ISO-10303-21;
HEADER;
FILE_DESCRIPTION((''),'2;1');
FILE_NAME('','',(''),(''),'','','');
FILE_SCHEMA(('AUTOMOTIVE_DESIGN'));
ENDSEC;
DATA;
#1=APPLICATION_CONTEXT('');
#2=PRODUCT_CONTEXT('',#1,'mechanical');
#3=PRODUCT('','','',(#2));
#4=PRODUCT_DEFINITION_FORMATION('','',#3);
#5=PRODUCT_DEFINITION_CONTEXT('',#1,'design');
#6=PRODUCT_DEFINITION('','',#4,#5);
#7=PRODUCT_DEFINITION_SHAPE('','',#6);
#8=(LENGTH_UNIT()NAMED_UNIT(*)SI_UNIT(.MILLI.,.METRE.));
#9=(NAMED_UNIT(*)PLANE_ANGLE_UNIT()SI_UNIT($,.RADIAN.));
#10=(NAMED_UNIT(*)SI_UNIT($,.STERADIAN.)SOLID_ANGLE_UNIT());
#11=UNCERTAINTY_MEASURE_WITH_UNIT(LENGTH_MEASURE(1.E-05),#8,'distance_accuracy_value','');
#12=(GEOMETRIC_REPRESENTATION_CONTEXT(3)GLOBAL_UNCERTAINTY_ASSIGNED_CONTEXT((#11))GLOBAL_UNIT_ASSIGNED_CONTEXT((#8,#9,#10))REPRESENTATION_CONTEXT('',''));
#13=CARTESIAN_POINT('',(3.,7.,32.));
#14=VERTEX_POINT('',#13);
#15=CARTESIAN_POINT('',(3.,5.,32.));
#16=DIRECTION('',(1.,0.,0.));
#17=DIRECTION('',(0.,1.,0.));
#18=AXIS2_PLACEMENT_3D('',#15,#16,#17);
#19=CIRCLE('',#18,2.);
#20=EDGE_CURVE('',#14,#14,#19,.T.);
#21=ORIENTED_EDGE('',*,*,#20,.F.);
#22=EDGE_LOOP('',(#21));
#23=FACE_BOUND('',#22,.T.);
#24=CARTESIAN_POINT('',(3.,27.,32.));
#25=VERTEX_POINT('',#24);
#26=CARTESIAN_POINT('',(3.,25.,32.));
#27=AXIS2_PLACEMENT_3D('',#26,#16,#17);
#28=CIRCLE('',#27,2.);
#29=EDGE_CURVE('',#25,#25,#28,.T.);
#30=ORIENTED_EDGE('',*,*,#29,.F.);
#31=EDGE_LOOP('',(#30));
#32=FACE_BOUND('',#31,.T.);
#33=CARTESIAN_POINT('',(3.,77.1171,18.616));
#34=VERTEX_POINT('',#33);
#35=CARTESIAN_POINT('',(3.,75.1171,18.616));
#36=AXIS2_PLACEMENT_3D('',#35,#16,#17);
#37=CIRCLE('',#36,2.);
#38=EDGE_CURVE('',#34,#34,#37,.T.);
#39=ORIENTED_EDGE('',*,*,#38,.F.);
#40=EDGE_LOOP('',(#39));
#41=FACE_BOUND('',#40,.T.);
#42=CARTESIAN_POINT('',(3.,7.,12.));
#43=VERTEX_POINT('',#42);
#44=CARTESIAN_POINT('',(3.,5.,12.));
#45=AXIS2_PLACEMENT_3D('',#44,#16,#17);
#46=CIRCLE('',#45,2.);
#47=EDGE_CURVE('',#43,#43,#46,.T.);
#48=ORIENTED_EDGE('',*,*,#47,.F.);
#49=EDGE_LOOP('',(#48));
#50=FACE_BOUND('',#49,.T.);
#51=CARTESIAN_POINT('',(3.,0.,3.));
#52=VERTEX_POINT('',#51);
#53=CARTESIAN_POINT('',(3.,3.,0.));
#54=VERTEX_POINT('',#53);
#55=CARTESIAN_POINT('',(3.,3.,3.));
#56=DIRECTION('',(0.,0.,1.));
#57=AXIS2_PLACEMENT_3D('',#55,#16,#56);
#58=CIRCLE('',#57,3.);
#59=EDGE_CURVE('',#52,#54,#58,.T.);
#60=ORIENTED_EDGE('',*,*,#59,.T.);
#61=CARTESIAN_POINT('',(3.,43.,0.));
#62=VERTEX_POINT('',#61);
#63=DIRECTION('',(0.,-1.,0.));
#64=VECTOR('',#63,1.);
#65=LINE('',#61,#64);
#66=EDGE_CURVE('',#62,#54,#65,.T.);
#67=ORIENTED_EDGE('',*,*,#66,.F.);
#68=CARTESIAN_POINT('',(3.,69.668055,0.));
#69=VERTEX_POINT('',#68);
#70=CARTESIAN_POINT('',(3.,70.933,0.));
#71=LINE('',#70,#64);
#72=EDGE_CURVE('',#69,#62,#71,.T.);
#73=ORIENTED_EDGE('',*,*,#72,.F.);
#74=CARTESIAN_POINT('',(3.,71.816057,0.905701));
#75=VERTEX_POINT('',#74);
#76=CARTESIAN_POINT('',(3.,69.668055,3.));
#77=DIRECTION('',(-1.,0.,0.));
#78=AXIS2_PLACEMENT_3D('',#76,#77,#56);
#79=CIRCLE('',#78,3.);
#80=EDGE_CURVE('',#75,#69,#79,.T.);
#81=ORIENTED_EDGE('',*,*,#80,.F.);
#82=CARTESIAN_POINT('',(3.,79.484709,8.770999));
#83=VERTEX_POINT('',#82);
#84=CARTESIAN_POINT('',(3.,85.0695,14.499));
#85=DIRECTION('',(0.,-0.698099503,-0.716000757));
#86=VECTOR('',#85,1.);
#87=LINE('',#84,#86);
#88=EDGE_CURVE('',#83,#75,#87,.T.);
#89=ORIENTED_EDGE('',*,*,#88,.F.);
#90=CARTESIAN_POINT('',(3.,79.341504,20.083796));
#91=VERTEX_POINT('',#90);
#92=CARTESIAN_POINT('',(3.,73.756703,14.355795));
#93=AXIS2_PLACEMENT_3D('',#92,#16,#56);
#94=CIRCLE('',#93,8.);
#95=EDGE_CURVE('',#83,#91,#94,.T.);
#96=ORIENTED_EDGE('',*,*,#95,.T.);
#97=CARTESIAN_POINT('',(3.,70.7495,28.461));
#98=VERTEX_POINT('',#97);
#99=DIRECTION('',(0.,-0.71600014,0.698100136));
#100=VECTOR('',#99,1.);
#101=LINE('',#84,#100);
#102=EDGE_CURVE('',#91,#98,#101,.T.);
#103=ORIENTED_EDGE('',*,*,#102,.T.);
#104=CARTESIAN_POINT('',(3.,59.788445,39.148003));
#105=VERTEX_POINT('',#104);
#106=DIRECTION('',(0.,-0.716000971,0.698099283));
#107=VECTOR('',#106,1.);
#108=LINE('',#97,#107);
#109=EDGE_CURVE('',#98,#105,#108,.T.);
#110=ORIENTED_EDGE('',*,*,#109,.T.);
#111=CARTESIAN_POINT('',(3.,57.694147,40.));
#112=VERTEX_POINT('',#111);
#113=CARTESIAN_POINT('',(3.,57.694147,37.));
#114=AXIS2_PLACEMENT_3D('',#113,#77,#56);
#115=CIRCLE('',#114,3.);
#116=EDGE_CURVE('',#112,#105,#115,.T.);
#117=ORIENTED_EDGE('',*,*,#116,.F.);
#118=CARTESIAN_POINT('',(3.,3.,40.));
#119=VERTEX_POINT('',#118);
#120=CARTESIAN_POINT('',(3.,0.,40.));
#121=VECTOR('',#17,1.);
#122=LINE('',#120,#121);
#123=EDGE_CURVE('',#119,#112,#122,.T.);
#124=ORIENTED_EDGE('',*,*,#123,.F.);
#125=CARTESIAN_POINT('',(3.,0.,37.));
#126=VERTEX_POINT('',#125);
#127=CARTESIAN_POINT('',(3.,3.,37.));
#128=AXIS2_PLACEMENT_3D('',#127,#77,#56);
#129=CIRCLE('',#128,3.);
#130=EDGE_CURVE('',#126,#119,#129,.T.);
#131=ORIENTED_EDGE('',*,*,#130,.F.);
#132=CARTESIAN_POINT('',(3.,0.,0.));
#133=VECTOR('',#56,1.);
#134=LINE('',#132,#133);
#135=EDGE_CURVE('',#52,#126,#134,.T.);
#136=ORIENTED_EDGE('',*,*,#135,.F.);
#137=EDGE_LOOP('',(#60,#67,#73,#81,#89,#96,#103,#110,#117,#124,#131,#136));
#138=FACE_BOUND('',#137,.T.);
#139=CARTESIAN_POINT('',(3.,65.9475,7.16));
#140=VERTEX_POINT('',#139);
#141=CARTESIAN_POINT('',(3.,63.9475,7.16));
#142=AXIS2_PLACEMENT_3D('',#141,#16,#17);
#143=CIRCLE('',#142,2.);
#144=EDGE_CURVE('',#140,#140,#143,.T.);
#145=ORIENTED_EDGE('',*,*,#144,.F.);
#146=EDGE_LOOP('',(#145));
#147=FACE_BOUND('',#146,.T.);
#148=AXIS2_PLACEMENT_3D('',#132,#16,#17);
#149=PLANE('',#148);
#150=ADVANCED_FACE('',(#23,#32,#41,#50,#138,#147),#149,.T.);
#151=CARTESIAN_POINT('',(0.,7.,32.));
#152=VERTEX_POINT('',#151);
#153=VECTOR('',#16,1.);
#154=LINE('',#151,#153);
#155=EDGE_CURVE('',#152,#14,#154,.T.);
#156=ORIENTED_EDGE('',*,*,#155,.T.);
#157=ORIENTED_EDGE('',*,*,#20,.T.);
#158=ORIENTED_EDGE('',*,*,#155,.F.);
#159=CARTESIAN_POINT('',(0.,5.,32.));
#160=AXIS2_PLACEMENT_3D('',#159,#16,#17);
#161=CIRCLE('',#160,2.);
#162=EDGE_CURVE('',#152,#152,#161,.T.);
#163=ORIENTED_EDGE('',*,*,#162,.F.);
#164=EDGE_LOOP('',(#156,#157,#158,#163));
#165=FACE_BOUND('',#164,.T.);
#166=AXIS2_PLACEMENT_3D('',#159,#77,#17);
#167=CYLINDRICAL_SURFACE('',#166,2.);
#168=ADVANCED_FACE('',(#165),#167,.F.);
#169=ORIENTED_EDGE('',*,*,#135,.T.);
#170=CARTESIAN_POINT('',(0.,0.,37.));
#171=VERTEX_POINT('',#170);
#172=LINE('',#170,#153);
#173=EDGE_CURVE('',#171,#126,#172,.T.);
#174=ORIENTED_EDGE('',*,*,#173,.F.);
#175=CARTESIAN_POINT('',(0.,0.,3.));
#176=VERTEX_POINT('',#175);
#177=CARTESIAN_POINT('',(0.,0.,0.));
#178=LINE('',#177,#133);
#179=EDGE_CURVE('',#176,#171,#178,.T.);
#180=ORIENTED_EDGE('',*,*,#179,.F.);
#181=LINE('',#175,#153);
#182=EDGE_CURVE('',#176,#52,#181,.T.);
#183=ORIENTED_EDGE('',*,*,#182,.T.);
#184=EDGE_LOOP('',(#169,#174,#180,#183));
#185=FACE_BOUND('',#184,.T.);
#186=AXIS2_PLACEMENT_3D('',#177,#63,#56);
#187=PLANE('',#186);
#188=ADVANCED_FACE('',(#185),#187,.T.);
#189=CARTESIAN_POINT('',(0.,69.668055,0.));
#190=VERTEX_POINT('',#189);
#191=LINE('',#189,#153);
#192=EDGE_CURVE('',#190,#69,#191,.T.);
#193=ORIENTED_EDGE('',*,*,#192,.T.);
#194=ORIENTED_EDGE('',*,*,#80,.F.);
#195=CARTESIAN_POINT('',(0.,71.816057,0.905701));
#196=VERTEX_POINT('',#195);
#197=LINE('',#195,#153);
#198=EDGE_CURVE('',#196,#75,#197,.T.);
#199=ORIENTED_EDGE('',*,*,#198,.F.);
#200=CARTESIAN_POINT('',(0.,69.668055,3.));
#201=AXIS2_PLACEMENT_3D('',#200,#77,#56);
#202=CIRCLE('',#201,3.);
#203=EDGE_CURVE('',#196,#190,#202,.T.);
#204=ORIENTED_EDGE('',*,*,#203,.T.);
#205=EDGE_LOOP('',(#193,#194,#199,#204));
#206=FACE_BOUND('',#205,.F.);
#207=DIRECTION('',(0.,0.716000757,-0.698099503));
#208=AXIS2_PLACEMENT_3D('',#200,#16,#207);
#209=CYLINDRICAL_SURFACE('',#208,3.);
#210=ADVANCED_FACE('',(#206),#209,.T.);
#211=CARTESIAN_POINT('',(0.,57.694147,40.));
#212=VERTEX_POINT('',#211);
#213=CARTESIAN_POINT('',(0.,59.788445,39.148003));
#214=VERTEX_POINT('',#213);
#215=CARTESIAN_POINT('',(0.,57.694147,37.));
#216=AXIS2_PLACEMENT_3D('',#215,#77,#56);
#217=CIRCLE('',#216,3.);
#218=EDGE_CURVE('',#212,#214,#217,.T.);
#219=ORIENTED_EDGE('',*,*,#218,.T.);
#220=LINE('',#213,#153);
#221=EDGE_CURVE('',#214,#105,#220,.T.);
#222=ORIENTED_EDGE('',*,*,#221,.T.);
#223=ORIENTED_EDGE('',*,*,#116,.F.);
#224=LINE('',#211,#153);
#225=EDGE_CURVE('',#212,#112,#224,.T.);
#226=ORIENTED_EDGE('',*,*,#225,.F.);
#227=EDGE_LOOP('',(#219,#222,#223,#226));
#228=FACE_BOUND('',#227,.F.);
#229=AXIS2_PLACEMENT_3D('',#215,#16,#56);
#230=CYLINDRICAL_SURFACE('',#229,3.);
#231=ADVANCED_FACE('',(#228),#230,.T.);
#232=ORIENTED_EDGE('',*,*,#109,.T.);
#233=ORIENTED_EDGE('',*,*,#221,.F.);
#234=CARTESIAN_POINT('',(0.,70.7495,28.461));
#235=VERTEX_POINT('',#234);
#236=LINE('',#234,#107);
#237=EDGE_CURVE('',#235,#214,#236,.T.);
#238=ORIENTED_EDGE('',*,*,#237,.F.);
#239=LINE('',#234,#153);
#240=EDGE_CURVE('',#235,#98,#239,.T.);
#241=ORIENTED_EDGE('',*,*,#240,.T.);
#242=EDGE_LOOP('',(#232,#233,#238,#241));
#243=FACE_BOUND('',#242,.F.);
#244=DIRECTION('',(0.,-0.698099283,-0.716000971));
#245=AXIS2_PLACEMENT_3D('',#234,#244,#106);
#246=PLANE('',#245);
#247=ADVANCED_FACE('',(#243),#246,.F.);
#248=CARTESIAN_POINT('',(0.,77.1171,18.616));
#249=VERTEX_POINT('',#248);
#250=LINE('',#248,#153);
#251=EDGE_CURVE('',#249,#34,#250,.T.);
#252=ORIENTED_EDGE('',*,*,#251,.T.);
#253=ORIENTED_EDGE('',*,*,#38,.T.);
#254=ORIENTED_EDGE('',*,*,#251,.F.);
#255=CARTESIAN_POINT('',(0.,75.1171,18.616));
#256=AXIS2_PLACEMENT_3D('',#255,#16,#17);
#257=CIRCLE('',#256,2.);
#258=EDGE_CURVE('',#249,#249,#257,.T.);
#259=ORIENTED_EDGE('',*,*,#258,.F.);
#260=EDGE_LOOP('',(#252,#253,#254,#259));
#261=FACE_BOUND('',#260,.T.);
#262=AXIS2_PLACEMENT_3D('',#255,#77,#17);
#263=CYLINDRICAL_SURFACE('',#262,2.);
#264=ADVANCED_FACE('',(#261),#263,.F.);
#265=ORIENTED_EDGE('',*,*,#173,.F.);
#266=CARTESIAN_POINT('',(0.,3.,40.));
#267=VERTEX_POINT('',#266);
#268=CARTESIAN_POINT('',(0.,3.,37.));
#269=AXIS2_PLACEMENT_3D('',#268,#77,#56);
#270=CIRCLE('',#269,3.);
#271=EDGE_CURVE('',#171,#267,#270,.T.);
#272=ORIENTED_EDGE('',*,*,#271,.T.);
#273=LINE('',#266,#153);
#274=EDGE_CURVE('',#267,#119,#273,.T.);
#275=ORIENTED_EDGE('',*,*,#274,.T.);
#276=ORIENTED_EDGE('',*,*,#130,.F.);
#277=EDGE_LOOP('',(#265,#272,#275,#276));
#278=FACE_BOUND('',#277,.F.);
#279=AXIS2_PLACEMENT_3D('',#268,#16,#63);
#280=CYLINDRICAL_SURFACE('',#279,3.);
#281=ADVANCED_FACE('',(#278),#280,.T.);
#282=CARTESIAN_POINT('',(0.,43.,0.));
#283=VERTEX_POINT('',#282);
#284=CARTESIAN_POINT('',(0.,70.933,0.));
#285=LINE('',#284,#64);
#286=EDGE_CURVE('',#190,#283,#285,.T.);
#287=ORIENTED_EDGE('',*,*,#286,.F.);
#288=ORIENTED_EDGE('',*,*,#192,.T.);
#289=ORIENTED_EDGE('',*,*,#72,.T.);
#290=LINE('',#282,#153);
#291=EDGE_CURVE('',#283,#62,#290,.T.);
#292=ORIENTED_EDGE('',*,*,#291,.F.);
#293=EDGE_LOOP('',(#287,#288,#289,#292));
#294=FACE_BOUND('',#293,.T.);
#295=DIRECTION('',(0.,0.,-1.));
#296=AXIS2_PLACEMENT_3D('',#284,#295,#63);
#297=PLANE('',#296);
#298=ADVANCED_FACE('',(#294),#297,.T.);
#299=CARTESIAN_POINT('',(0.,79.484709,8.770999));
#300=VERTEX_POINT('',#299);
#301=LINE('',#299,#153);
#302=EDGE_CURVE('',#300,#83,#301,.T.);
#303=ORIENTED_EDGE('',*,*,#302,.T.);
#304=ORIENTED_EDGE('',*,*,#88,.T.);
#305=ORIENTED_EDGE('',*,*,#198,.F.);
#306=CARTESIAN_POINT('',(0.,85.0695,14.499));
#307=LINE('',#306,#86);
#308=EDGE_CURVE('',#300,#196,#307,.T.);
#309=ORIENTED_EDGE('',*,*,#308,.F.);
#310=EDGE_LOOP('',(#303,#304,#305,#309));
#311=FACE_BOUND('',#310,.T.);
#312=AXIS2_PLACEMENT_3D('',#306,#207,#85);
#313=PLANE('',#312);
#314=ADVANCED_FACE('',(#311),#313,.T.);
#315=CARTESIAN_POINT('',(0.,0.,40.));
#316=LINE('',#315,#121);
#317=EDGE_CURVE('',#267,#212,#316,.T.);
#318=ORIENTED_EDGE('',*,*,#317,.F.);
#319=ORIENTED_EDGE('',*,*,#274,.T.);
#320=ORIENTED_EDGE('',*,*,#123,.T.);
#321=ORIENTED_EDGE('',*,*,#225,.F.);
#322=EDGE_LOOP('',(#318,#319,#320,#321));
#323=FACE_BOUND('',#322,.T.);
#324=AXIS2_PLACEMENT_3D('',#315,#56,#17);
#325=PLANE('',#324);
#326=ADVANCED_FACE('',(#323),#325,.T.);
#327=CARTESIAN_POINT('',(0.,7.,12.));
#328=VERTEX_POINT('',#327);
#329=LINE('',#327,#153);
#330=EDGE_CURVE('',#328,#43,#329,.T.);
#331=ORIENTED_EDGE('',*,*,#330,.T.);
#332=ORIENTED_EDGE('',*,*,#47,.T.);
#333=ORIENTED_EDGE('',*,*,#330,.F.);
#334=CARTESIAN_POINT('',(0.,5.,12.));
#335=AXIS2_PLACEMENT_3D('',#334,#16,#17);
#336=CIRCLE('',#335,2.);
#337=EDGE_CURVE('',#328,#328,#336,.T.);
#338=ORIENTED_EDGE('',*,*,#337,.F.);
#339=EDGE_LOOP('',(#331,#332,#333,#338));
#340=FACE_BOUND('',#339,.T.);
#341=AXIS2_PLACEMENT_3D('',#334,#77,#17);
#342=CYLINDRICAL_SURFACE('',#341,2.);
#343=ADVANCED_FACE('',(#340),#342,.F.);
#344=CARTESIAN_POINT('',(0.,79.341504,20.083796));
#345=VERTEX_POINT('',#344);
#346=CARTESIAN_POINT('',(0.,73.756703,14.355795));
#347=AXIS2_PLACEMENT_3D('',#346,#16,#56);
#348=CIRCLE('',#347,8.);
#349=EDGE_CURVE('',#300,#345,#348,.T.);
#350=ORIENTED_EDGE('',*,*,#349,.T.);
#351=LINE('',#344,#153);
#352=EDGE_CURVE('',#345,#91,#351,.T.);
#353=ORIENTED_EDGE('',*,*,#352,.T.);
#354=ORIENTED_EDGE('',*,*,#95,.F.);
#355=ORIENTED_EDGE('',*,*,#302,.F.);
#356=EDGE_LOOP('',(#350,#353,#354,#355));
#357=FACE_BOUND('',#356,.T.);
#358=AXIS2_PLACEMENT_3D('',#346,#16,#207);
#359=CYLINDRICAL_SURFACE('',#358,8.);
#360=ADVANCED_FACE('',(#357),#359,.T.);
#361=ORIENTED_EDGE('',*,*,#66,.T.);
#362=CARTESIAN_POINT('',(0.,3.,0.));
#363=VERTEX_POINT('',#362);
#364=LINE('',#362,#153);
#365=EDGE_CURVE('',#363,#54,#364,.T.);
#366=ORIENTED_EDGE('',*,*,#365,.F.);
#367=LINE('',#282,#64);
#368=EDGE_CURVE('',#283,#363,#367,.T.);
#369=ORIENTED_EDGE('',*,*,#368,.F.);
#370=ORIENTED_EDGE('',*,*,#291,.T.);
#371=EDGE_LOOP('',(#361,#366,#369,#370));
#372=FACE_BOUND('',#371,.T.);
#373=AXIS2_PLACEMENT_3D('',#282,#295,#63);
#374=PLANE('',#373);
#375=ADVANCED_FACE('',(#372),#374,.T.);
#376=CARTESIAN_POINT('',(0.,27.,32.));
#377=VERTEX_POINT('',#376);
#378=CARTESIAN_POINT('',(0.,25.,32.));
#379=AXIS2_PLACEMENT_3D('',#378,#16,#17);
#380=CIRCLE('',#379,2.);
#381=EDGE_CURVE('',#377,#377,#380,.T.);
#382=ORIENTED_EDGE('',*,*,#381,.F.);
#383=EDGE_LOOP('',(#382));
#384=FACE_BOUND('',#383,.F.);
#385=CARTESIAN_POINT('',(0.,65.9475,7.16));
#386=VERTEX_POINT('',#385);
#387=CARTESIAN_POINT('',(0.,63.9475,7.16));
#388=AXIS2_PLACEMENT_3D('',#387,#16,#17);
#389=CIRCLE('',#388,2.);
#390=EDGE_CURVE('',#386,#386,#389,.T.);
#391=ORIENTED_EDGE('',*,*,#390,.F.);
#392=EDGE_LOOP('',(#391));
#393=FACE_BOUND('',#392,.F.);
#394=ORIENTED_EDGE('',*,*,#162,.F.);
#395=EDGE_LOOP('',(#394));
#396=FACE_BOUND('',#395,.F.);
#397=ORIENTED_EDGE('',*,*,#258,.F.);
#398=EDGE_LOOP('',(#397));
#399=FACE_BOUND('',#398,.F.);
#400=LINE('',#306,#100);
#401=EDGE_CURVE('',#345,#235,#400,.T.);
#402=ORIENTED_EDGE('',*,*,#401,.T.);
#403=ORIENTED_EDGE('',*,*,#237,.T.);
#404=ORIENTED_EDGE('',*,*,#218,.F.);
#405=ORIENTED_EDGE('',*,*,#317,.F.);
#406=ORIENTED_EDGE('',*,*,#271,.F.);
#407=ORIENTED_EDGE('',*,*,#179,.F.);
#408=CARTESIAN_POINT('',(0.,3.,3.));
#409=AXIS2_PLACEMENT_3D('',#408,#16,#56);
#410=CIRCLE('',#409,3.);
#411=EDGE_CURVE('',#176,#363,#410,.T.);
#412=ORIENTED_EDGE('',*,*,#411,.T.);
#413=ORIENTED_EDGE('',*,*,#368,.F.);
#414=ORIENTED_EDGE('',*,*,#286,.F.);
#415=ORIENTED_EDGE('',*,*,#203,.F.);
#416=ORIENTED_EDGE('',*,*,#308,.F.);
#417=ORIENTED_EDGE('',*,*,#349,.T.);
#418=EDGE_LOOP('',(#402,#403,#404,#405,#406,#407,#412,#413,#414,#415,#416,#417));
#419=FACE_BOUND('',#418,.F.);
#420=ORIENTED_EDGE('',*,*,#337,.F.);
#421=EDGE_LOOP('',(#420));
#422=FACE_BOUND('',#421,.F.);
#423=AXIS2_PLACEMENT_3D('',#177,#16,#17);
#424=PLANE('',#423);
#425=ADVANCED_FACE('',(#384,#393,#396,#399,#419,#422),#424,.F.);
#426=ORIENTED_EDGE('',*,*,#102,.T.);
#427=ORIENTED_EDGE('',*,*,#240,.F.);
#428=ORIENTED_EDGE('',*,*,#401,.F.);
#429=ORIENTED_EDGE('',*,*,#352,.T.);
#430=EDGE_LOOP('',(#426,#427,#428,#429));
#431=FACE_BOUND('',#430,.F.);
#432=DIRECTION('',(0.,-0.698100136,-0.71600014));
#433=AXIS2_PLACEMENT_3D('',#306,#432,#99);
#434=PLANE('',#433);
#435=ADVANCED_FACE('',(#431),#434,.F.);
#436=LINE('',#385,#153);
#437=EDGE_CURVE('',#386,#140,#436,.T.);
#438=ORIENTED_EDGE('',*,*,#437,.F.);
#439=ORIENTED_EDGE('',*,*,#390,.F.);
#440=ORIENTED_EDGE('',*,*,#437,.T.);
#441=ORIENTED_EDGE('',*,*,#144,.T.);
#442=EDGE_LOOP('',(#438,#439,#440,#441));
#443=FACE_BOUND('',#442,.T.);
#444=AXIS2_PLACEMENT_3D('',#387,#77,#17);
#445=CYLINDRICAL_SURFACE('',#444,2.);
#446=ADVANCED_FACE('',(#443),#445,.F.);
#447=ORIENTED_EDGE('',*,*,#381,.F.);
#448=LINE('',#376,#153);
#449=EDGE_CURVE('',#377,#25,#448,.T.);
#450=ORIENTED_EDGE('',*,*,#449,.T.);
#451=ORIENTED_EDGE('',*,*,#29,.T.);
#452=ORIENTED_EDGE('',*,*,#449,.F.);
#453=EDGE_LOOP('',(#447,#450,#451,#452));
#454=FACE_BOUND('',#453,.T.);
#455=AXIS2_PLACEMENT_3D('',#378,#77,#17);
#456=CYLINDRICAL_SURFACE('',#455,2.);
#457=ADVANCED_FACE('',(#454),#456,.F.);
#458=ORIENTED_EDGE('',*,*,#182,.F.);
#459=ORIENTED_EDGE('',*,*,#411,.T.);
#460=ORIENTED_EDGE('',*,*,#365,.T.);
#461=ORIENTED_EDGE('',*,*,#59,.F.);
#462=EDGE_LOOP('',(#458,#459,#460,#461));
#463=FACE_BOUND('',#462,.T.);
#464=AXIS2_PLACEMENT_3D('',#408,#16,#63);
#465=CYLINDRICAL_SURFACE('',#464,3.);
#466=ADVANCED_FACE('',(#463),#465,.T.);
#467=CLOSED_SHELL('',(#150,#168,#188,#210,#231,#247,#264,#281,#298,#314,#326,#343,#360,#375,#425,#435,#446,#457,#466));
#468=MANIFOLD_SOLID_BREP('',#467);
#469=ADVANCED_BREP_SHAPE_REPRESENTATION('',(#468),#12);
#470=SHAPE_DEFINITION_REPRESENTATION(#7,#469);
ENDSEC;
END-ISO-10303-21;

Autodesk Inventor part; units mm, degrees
ref_plane "YZ Plane" through (0, 0, 0) normal (1, 0, 0) x (0, 1, 0)
ref_plane "XZ Plane" through (0, 0, 0) normal (0, 1, 0) x (-1, 0, 0)
ref_plane "XY Plane" through (0, 0, 0) normal (0, 0, 1) x (1, 0, 0)
sketch "Sketch1" plane through (0, 0, 0) normal (1, 0, 0) x (0, 1, 0)
  line L0 (0, 0) -> (0, 40)
  line L1 (0, 40) -> (82, 40) construction
  line L2 (82, 40) -> (43, 0) construction
  line L3 (43, 0) -> (0, 0)
  line L4 (85.0695, 14.499) -> (70.933, 0)
  line L5 (70.933, 0) -> (43, 0)
  line L6 (85.0695, 14.499) -> (70.7495, 28.461)
  circle A0 centre (75.1171, 18.616) radius 2
  circle A1 centre (63.9475, 7.16) radius 2
  line L7 (77.9095, 21.48) -> (56.9665, 0) construction
  circle A2 centre (25, 32) radius 2
  circle A3 centre (5, 32) radius 2
  circle A4 centre (5, 12) radius 2
  line L8 (25, 32) -> (5, 32) construction
  line L9 (5, 32) -> (5, 12) construction
  line L10 (70.7495, 28.461) -> (58.9146, 40)
  line L11 (0, 40) -> (58.9146, 40)
  dimension "d0" = 43
  dimension "d1" = 39
  dimension "d2" = 40
  dimension "d4" = 4
  dimension "d5" = 16
  dimension "d6" = 4
  dimension "d7" = 4
  dimension "d8" = 20
  dimension "d9" = 20
  dimension "d10" = 8
  dimension "d11" = 5
  dimension "d16" = 20
  dimension "d17" = 10
extrude "Extrusion1" add sketch "Sketch1" along normal blind 3
fillet "Fillet1" radius 3 4 edges at (1.5, 58.9146, 40) (1.5, 70.933, 0) (1.5, 0, 40) (1.5, 0, 0)
fillet "Fillet2" radius 8 1 edges at (1.5, 85.0695, 14.499)
properties part number "Arm_Servo_Holder"
